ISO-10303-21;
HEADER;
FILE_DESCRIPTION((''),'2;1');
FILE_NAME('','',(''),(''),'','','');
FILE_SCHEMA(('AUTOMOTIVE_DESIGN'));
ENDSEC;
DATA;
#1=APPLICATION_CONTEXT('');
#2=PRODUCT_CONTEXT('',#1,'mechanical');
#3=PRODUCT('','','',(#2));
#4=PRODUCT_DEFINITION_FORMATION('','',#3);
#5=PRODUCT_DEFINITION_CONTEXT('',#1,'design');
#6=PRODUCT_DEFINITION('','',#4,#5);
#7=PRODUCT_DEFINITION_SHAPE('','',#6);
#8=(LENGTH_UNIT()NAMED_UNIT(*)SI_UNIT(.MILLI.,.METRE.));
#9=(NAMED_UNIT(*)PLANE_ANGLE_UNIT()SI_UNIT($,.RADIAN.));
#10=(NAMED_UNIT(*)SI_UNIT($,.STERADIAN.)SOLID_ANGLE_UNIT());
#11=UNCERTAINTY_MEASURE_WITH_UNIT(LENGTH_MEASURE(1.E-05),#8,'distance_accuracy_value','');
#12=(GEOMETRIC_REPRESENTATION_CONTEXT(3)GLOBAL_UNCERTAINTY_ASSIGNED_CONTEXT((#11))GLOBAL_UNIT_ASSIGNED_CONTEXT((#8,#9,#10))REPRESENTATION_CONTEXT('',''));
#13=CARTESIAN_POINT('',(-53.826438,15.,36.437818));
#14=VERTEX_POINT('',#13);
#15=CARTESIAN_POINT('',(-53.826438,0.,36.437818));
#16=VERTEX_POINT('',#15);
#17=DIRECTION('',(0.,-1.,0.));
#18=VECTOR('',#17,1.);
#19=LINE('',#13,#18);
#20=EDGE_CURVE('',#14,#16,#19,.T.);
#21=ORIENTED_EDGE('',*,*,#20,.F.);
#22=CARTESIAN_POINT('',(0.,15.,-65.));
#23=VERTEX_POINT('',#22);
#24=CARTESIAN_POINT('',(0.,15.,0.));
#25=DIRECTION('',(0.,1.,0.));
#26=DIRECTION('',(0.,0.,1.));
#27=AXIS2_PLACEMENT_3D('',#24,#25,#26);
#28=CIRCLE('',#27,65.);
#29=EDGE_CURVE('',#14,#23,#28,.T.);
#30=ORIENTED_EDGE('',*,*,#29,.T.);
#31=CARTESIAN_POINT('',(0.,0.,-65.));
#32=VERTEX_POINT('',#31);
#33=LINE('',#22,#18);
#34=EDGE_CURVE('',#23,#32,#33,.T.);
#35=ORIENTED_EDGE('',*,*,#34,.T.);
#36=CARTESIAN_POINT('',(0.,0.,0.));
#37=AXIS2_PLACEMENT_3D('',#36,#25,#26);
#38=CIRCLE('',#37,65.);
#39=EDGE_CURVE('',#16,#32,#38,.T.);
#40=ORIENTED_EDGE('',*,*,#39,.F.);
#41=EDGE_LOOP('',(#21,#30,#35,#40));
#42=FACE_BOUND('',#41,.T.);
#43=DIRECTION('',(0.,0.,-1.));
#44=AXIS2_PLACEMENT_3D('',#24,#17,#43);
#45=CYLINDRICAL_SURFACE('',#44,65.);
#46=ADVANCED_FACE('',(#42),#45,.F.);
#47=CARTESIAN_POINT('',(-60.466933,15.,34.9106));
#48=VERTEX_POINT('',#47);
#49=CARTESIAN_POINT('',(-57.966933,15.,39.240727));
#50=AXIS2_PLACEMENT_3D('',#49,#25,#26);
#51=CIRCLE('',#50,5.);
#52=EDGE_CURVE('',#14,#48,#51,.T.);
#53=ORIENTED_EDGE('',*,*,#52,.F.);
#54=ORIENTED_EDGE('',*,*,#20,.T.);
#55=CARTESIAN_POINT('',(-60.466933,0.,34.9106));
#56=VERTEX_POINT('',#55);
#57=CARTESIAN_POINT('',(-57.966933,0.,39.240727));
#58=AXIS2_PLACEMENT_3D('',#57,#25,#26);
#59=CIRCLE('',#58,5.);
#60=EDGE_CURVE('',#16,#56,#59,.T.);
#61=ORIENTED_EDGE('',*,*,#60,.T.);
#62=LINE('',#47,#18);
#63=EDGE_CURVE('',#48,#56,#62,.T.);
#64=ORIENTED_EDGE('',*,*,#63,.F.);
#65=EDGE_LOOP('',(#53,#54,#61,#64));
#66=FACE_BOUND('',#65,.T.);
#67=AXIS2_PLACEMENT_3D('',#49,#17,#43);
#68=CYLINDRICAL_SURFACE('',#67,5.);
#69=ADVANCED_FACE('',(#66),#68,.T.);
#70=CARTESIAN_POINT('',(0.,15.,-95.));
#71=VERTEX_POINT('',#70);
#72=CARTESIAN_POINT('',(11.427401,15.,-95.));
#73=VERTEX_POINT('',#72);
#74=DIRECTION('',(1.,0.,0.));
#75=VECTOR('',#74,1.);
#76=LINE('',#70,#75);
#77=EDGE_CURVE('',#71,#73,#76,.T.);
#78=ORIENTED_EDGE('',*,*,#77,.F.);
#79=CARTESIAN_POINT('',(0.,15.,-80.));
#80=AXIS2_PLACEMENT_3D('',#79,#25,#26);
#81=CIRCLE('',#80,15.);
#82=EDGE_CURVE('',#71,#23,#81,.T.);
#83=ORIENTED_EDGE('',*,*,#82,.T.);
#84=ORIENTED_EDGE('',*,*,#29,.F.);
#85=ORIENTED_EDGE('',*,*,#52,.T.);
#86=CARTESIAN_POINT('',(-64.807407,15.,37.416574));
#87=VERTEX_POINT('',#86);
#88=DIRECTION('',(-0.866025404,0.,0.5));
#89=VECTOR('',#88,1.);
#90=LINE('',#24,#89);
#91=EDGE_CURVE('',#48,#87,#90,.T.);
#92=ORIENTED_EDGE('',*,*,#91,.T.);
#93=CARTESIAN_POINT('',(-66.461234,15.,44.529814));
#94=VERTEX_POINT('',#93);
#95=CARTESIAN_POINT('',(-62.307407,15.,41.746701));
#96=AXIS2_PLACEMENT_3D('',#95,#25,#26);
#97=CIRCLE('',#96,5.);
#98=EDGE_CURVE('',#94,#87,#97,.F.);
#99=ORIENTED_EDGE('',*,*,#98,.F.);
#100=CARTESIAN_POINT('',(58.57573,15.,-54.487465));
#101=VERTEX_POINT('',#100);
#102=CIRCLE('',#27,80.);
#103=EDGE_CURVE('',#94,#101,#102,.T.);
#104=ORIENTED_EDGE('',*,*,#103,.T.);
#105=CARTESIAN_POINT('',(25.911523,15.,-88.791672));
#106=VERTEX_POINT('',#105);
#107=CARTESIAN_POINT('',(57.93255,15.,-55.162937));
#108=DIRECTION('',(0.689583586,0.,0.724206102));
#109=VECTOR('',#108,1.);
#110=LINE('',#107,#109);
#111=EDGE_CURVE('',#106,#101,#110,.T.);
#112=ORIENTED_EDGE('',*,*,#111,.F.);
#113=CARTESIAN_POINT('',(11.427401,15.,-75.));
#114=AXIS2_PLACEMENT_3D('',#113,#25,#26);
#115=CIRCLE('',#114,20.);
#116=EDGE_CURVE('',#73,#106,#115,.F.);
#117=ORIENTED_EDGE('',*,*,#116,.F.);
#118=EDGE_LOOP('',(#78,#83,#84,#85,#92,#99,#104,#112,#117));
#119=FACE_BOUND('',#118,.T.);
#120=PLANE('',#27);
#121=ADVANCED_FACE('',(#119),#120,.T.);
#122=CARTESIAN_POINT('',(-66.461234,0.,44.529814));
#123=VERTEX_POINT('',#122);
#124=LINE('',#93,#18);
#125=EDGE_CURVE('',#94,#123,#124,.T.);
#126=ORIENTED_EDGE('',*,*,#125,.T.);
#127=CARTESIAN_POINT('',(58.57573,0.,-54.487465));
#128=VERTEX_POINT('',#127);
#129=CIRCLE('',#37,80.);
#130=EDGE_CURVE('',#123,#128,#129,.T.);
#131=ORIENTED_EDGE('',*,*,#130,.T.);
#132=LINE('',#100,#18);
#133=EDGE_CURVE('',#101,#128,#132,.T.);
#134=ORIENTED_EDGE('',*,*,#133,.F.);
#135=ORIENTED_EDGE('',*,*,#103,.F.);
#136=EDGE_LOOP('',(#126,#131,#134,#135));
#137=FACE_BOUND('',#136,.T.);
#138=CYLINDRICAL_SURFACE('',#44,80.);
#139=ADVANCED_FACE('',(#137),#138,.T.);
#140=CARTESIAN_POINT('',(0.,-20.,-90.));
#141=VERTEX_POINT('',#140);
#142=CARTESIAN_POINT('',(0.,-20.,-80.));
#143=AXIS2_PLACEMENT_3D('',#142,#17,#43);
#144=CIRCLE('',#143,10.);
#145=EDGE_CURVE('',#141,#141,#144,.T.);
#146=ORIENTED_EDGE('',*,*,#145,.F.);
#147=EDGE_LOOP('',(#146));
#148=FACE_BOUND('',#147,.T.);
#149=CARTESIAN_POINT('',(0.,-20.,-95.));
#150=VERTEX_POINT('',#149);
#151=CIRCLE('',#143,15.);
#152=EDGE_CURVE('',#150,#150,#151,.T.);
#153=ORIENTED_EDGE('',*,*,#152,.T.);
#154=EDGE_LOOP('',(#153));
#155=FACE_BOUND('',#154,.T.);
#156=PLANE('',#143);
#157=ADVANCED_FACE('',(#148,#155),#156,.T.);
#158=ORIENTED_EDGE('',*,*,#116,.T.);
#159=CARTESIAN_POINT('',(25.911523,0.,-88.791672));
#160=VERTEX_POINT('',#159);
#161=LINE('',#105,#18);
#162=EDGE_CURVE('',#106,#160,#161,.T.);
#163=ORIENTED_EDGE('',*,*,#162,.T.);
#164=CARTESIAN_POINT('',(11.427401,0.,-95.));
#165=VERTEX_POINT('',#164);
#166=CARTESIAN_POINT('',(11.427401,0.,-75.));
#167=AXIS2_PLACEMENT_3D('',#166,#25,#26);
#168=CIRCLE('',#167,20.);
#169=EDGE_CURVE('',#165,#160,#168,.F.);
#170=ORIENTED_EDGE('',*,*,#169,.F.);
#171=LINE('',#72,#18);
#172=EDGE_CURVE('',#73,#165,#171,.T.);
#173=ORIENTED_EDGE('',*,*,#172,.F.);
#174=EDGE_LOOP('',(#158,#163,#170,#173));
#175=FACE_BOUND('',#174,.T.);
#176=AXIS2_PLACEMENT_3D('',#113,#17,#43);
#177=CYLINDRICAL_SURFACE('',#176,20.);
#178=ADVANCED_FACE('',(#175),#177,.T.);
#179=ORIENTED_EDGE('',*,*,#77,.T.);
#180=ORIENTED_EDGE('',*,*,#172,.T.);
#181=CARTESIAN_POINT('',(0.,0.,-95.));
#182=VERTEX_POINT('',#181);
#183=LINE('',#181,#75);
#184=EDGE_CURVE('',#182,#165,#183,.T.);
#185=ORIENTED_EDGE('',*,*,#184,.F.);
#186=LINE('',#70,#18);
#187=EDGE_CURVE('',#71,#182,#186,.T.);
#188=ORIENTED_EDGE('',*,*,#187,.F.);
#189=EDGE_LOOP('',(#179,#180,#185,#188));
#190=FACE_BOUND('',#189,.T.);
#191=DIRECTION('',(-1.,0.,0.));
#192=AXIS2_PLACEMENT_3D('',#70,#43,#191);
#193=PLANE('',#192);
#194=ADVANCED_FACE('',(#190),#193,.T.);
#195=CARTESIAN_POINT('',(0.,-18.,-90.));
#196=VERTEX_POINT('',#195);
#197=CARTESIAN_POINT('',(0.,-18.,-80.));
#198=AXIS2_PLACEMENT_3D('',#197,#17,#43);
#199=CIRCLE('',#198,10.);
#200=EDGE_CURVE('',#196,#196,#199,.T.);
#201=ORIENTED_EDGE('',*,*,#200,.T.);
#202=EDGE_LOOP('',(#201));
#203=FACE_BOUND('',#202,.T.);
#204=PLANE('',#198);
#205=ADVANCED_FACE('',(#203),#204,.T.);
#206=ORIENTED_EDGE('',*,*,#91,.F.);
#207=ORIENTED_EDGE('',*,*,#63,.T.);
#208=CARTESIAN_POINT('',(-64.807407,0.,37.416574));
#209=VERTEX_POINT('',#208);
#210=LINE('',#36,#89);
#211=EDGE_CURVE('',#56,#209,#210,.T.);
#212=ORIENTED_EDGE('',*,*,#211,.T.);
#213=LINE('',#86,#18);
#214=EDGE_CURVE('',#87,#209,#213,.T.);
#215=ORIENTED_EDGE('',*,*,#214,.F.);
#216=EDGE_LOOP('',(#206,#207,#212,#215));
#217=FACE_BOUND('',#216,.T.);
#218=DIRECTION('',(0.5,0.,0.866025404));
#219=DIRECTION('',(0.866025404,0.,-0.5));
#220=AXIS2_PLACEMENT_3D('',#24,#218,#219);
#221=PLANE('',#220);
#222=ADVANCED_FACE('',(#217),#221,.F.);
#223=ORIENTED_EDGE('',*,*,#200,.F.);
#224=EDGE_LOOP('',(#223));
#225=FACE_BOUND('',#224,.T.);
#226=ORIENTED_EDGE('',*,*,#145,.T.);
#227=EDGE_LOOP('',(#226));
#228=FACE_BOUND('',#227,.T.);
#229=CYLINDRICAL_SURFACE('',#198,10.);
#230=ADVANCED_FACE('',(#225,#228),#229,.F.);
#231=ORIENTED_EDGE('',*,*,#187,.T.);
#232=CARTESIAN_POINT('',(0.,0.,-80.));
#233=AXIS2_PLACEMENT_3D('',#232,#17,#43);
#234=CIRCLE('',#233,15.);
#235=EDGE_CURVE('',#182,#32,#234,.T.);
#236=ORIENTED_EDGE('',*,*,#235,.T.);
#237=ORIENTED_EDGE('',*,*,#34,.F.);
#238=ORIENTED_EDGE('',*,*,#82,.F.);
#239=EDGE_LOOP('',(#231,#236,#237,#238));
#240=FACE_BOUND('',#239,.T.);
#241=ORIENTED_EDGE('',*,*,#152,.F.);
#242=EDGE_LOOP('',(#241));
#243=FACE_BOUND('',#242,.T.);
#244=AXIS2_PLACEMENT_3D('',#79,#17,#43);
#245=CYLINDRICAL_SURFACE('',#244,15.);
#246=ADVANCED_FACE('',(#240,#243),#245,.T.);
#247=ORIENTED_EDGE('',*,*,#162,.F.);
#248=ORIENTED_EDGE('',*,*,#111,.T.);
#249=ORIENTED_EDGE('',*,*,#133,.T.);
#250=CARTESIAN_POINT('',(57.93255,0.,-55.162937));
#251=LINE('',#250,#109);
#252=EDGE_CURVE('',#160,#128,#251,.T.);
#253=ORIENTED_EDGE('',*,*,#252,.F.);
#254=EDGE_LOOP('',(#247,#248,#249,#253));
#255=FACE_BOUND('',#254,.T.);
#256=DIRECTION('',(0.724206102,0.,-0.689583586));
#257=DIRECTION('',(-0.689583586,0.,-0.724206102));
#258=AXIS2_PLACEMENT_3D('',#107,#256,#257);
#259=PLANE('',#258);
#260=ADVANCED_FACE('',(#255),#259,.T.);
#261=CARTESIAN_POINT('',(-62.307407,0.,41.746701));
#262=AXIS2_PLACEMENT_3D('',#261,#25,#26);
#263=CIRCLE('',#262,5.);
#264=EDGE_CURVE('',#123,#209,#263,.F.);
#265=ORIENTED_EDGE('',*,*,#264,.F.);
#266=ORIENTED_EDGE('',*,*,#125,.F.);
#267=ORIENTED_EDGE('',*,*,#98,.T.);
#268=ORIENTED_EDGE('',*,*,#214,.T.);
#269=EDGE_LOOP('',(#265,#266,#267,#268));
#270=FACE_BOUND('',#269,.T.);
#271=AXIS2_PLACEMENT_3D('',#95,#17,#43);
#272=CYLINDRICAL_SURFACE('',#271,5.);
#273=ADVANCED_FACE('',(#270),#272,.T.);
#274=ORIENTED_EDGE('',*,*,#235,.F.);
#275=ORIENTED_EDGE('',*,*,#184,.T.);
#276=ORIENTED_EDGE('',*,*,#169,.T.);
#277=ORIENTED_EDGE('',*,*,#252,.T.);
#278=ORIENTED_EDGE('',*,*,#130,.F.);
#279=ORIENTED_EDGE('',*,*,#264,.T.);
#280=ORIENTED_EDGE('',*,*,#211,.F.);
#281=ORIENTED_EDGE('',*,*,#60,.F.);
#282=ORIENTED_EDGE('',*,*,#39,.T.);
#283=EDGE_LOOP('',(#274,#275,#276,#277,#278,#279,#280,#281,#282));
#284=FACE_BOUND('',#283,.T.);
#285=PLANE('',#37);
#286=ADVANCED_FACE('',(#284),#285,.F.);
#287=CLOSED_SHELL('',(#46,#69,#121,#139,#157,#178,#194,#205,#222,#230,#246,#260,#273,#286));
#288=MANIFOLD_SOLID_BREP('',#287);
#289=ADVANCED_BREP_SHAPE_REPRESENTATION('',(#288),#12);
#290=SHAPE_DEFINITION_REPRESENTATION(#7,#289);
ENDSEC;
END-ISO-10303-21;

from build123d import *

# Parameters (mm, degrees)
EXTRUDE_4_DEPTH     = 15
EXTRUDE_START       = 20
SKETCH_4_R          = 15
EXTRUDE_5_DEPTH     = 20
SKETCH_5_R          = 10
CUT_EXTRUDE_1_DEPTH = 2


with BuildPart() as part:
    # ｽｹｯﾁ2 → ﾎﾞｽ - 押し出し4 (new body)
    with BuildSketch(Plane(origin=(0, 0, 0), x_dir=(1, 0, 0), z_dir=(0, 1, 0))):
        with BuildLine():
            ThreePointArc((-53.82643789, -36.437818048), (-56.846261527, -34.367935813), (-60.466933112, -34.910600109))
            Line((-60.466933112, -34.910600109), (-64.807406984, -37.416573868))
            ThreePointArc((-64.807406984, -37.416573868), (-67.177509772, -40.614402853), (-66.461234116, -44.529814279))
            ThreePointArc((-66.461234116, -44.529814279), (49.665387485, -62.716419588), (58.57572973, 54.487465409))
            Line((58.57572973, 54.487465409), (57.289371136, 55.838409315))
            Line((57.289371136, 55.838409315), (25.911523347, 88.791671712))
            ThreePointArc((25.911523347, 88.791671712), (19.306695871, 93.382511176), (11.427401304, 95))
            Line((11.427401304, 95), (0, 95))
            ThreePointArc((0, 95), (-15, 80), (0, 65))
            ThreePointArc((0, 65), (57.41714976, -30.467538684), (-53.82643789, -36.437818048))
        make_face()
    extrude(amount=EXTRUDE_4_DEPTH)

    # ｽｹｯﾁ4 → ﾎﾞｽ - 押し出し5 (add)
    with BuildSketch(Plane.XZ.offset(EXTRUDE_START)):
        with Locations(Location((0, -80, 0), (0, 0, 270))):
            Circle(SKETCH_4_R)
    extrude(amount=-EXTRUDE_5_DEPTH)

    # ｽｹｯﾁ5 → ｶｯﾄ - 押し出し1 (cut)
    with BuildSketch(Plane(origin=(0, -20, 0), x_dir=(-1, 0, 0), z_dir=(0, -1, 0))):
        with Locations(Location((0, 80, 0), (0, 0, 90))):
            Circle(SKETCH_5_R)
    extrude(amount=-CUT_EXTRUDE_1_DEPTH, mode=Mode.SUBTRACT)


solid = part.part
